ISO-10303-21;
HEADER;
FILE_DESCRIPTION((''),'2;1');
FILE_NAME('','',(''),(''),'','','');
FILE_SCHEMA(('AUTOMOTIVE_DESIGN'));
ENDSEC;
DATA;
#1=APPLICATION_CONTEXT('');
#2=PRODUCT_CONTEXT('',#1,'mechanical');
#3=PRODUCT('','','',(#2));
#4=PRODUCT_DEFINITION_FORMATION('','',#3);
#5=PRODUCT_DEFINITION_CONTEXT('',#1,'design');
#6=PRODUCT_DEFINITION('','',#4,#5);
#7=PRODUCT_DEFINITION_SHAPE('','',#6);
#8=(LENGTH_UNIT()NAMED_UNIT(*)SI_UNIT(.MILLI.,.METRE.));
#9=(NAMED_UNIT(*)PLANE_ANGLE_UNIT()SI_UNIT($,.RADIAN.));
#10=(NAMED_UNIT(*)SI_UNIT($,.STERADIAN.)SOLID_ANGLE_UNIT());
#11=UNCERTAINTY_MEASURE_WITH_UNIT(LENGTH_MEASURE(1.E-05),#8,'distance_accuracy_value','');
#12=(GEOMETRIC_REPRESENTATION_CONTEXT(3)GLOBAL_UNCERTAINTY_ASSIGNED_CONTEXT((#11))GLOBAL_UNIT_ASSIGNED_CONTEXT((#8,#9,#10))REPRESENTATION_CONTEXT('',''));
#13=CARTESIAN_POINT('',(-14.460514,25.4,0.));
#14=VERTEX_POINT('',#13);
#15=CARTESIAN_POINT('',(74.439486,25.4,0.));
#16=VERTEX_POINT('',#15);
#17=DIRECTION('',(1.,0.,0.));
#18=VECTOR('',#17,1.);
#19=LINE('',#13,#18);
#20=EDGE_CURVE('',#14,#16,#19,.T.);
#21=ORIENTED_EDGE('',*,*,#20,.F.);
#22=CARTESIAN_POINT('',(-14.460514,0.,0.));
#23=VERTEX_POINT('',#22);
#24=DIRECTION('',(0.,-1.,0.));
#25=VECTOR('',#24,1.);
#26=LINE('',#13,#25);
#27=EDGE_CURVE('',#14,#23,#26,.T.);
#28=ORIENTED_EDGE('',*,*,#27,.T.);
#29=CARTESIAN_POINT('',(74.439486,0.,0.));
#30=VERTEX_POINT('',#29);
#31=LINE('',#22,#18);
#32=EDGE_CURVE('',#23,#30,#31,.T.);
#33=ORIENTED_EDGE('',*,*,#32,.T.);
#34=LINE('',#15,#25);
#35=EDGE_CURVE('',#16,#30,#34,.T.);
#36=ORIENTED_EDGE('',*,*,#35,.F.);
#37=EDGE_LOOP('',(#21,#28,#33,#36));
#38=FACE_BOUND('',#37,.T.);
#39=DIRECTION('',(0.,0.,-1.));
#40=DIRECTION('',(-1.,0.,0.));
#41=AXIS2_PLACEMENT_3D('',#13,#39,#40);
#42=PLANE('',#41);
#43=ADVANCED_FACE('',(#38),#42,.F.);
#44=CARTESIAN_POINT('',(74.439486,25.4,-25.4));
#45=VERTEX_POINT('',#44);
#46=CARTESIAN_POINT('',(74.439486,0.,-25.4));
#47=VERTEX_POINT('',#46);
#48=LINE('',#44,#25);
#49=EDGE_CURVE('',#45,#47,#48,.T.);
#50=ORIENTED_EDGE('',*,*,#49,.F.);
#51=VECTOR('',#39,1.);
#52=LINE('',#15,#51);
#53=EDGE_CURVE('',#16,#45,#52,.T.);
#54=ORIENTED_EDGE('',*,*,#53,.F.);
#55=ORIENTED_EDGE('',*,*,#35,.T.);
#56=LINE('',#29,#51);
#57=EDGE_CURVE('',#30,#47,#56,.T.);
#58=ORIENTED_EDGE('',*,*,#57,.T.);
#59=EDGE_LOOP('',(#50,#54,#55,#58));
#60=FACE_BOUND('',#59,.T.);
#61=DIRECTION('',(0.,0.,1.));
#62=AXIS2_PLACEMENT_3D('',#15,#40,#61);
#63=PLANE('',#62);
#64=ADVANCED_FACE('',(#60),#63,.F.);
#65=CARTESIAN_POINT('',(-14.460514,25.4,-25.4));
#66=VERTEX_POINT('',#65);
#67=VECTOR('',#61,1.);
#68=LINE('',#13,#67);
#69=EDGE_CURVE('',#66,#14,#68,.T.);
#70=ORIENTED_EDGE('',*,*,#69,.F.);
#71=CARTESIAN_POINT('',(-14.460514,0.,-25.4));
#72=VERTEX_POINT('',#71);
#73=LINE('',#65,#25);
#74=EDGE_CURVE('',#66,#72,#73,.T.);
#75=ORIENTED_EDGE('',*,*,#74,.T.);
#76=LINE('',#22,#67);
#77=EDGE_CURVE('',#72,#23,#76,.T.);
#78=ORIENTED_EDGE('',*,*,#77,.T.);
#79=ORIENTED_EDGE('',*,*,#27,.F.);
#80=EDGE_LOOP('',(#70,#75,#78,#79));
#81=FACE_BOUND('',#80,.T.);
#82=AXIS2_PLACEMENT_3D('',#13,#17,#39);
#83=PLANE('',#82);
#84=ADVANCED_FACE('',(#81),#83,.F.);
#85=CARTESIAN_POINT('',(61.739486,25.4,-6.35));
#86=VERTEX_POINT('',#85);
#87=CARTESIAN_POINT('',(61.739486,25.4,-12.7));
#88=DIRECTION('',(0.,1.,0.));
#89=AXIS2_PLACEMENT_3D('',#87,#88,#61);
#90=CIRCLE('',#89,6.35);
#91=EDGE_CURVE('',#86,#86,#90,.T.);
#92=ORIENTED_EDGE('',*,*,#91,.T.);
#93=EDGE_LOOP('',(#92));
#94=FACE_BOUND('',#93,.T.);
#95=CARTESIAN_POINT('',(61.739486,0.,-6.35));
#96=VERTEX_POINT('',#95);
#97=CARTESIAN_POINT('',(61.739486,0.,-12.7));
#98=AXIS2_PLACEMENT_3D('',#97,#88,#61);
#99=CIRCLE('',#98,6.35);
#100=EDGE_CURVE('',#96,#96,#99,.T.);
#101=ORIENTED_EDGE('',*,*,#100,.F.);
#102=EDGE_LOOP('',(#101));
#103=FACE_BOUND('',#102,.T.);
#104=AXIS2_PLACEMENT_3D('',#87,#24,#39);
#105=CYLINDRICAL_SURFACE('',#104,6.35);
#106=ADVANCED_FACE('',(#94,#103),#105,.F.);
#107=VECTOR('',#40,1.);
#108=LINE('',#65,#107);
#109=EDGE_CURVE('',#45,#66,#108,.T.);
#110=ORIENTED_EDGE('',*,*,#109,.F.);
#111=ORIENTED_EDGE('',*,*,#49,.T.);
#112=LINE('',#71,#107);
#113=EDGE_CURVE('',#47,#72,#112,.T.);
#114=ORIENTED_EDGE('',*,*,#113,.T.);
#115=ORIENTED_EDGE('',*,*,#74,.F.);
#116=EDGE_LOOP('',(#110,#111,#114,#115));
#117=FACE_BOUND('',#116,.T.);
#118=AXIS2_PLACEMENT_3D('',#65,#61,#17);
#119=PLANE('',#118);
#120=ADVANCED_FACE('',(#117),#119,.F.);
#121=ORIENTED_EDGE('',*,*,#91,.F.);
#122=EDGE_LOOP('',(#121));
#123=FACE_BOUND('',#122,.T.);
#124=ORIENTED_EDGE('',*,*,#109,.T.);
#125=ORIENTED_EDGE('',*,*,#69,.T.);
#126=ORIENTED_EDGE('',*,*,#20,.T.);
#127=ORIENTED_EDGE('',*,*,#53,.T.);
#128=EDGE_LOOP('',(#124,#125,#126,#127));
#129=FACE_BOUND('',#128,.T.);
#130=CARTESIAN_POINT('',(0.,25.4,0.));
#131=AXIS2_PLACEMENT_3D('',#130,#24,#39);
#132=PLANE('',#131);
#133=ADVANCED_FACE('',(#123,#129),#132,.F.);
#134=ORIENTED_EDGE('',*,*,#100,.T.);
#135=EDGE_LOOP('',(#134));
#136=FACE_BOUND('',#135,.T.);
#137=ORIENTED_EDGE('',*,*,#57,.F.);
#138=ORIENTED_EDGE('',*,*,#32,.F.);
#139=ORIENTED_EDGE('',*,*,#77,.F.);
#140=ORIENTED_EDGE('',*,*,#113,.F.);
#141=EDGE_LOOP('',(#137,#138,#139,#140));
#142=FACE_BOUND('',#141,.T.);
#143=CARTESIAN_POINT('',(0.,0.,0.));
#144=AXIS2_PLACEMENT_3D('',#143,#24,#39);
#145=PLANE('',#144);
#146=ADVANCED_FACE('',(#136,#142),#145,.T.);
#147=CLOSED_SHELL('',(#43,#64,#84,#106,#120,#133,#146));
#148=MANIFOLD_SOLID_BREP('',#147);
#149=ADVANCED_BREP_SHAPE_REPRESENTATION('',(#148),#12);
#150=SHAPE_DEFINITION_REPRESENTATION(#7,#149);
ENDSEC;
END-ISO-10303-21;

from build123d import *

# Parameters (mm, degrees)
SKETCH1_W           = 88.9
SKETCH1_H           = 25.4
SKETCH1_R           = 6.35
BOSS_EXTRUDE1_DEPTH = 25.4


with BuildPart() as part:
    # Sketch1 → Boss-Extrude1 (new body)
    with BuildSketch(Plane(origin=(0, 0, 0), x_dir=(1, 0, 0), z_dir=(0, 1, 0))):
        with Locations((29.989485536, 12.7)):
            Rectangle(SKETCH1_W, SKETCH1_H)
        with Locations((61.739485536, 12.7)):
            Circle(SKETCH1_R, mode=Mode.SUBTRACT)
    extrude(amount=BOSS_EXTRUDE1_DEPTH)


solid = part.part
